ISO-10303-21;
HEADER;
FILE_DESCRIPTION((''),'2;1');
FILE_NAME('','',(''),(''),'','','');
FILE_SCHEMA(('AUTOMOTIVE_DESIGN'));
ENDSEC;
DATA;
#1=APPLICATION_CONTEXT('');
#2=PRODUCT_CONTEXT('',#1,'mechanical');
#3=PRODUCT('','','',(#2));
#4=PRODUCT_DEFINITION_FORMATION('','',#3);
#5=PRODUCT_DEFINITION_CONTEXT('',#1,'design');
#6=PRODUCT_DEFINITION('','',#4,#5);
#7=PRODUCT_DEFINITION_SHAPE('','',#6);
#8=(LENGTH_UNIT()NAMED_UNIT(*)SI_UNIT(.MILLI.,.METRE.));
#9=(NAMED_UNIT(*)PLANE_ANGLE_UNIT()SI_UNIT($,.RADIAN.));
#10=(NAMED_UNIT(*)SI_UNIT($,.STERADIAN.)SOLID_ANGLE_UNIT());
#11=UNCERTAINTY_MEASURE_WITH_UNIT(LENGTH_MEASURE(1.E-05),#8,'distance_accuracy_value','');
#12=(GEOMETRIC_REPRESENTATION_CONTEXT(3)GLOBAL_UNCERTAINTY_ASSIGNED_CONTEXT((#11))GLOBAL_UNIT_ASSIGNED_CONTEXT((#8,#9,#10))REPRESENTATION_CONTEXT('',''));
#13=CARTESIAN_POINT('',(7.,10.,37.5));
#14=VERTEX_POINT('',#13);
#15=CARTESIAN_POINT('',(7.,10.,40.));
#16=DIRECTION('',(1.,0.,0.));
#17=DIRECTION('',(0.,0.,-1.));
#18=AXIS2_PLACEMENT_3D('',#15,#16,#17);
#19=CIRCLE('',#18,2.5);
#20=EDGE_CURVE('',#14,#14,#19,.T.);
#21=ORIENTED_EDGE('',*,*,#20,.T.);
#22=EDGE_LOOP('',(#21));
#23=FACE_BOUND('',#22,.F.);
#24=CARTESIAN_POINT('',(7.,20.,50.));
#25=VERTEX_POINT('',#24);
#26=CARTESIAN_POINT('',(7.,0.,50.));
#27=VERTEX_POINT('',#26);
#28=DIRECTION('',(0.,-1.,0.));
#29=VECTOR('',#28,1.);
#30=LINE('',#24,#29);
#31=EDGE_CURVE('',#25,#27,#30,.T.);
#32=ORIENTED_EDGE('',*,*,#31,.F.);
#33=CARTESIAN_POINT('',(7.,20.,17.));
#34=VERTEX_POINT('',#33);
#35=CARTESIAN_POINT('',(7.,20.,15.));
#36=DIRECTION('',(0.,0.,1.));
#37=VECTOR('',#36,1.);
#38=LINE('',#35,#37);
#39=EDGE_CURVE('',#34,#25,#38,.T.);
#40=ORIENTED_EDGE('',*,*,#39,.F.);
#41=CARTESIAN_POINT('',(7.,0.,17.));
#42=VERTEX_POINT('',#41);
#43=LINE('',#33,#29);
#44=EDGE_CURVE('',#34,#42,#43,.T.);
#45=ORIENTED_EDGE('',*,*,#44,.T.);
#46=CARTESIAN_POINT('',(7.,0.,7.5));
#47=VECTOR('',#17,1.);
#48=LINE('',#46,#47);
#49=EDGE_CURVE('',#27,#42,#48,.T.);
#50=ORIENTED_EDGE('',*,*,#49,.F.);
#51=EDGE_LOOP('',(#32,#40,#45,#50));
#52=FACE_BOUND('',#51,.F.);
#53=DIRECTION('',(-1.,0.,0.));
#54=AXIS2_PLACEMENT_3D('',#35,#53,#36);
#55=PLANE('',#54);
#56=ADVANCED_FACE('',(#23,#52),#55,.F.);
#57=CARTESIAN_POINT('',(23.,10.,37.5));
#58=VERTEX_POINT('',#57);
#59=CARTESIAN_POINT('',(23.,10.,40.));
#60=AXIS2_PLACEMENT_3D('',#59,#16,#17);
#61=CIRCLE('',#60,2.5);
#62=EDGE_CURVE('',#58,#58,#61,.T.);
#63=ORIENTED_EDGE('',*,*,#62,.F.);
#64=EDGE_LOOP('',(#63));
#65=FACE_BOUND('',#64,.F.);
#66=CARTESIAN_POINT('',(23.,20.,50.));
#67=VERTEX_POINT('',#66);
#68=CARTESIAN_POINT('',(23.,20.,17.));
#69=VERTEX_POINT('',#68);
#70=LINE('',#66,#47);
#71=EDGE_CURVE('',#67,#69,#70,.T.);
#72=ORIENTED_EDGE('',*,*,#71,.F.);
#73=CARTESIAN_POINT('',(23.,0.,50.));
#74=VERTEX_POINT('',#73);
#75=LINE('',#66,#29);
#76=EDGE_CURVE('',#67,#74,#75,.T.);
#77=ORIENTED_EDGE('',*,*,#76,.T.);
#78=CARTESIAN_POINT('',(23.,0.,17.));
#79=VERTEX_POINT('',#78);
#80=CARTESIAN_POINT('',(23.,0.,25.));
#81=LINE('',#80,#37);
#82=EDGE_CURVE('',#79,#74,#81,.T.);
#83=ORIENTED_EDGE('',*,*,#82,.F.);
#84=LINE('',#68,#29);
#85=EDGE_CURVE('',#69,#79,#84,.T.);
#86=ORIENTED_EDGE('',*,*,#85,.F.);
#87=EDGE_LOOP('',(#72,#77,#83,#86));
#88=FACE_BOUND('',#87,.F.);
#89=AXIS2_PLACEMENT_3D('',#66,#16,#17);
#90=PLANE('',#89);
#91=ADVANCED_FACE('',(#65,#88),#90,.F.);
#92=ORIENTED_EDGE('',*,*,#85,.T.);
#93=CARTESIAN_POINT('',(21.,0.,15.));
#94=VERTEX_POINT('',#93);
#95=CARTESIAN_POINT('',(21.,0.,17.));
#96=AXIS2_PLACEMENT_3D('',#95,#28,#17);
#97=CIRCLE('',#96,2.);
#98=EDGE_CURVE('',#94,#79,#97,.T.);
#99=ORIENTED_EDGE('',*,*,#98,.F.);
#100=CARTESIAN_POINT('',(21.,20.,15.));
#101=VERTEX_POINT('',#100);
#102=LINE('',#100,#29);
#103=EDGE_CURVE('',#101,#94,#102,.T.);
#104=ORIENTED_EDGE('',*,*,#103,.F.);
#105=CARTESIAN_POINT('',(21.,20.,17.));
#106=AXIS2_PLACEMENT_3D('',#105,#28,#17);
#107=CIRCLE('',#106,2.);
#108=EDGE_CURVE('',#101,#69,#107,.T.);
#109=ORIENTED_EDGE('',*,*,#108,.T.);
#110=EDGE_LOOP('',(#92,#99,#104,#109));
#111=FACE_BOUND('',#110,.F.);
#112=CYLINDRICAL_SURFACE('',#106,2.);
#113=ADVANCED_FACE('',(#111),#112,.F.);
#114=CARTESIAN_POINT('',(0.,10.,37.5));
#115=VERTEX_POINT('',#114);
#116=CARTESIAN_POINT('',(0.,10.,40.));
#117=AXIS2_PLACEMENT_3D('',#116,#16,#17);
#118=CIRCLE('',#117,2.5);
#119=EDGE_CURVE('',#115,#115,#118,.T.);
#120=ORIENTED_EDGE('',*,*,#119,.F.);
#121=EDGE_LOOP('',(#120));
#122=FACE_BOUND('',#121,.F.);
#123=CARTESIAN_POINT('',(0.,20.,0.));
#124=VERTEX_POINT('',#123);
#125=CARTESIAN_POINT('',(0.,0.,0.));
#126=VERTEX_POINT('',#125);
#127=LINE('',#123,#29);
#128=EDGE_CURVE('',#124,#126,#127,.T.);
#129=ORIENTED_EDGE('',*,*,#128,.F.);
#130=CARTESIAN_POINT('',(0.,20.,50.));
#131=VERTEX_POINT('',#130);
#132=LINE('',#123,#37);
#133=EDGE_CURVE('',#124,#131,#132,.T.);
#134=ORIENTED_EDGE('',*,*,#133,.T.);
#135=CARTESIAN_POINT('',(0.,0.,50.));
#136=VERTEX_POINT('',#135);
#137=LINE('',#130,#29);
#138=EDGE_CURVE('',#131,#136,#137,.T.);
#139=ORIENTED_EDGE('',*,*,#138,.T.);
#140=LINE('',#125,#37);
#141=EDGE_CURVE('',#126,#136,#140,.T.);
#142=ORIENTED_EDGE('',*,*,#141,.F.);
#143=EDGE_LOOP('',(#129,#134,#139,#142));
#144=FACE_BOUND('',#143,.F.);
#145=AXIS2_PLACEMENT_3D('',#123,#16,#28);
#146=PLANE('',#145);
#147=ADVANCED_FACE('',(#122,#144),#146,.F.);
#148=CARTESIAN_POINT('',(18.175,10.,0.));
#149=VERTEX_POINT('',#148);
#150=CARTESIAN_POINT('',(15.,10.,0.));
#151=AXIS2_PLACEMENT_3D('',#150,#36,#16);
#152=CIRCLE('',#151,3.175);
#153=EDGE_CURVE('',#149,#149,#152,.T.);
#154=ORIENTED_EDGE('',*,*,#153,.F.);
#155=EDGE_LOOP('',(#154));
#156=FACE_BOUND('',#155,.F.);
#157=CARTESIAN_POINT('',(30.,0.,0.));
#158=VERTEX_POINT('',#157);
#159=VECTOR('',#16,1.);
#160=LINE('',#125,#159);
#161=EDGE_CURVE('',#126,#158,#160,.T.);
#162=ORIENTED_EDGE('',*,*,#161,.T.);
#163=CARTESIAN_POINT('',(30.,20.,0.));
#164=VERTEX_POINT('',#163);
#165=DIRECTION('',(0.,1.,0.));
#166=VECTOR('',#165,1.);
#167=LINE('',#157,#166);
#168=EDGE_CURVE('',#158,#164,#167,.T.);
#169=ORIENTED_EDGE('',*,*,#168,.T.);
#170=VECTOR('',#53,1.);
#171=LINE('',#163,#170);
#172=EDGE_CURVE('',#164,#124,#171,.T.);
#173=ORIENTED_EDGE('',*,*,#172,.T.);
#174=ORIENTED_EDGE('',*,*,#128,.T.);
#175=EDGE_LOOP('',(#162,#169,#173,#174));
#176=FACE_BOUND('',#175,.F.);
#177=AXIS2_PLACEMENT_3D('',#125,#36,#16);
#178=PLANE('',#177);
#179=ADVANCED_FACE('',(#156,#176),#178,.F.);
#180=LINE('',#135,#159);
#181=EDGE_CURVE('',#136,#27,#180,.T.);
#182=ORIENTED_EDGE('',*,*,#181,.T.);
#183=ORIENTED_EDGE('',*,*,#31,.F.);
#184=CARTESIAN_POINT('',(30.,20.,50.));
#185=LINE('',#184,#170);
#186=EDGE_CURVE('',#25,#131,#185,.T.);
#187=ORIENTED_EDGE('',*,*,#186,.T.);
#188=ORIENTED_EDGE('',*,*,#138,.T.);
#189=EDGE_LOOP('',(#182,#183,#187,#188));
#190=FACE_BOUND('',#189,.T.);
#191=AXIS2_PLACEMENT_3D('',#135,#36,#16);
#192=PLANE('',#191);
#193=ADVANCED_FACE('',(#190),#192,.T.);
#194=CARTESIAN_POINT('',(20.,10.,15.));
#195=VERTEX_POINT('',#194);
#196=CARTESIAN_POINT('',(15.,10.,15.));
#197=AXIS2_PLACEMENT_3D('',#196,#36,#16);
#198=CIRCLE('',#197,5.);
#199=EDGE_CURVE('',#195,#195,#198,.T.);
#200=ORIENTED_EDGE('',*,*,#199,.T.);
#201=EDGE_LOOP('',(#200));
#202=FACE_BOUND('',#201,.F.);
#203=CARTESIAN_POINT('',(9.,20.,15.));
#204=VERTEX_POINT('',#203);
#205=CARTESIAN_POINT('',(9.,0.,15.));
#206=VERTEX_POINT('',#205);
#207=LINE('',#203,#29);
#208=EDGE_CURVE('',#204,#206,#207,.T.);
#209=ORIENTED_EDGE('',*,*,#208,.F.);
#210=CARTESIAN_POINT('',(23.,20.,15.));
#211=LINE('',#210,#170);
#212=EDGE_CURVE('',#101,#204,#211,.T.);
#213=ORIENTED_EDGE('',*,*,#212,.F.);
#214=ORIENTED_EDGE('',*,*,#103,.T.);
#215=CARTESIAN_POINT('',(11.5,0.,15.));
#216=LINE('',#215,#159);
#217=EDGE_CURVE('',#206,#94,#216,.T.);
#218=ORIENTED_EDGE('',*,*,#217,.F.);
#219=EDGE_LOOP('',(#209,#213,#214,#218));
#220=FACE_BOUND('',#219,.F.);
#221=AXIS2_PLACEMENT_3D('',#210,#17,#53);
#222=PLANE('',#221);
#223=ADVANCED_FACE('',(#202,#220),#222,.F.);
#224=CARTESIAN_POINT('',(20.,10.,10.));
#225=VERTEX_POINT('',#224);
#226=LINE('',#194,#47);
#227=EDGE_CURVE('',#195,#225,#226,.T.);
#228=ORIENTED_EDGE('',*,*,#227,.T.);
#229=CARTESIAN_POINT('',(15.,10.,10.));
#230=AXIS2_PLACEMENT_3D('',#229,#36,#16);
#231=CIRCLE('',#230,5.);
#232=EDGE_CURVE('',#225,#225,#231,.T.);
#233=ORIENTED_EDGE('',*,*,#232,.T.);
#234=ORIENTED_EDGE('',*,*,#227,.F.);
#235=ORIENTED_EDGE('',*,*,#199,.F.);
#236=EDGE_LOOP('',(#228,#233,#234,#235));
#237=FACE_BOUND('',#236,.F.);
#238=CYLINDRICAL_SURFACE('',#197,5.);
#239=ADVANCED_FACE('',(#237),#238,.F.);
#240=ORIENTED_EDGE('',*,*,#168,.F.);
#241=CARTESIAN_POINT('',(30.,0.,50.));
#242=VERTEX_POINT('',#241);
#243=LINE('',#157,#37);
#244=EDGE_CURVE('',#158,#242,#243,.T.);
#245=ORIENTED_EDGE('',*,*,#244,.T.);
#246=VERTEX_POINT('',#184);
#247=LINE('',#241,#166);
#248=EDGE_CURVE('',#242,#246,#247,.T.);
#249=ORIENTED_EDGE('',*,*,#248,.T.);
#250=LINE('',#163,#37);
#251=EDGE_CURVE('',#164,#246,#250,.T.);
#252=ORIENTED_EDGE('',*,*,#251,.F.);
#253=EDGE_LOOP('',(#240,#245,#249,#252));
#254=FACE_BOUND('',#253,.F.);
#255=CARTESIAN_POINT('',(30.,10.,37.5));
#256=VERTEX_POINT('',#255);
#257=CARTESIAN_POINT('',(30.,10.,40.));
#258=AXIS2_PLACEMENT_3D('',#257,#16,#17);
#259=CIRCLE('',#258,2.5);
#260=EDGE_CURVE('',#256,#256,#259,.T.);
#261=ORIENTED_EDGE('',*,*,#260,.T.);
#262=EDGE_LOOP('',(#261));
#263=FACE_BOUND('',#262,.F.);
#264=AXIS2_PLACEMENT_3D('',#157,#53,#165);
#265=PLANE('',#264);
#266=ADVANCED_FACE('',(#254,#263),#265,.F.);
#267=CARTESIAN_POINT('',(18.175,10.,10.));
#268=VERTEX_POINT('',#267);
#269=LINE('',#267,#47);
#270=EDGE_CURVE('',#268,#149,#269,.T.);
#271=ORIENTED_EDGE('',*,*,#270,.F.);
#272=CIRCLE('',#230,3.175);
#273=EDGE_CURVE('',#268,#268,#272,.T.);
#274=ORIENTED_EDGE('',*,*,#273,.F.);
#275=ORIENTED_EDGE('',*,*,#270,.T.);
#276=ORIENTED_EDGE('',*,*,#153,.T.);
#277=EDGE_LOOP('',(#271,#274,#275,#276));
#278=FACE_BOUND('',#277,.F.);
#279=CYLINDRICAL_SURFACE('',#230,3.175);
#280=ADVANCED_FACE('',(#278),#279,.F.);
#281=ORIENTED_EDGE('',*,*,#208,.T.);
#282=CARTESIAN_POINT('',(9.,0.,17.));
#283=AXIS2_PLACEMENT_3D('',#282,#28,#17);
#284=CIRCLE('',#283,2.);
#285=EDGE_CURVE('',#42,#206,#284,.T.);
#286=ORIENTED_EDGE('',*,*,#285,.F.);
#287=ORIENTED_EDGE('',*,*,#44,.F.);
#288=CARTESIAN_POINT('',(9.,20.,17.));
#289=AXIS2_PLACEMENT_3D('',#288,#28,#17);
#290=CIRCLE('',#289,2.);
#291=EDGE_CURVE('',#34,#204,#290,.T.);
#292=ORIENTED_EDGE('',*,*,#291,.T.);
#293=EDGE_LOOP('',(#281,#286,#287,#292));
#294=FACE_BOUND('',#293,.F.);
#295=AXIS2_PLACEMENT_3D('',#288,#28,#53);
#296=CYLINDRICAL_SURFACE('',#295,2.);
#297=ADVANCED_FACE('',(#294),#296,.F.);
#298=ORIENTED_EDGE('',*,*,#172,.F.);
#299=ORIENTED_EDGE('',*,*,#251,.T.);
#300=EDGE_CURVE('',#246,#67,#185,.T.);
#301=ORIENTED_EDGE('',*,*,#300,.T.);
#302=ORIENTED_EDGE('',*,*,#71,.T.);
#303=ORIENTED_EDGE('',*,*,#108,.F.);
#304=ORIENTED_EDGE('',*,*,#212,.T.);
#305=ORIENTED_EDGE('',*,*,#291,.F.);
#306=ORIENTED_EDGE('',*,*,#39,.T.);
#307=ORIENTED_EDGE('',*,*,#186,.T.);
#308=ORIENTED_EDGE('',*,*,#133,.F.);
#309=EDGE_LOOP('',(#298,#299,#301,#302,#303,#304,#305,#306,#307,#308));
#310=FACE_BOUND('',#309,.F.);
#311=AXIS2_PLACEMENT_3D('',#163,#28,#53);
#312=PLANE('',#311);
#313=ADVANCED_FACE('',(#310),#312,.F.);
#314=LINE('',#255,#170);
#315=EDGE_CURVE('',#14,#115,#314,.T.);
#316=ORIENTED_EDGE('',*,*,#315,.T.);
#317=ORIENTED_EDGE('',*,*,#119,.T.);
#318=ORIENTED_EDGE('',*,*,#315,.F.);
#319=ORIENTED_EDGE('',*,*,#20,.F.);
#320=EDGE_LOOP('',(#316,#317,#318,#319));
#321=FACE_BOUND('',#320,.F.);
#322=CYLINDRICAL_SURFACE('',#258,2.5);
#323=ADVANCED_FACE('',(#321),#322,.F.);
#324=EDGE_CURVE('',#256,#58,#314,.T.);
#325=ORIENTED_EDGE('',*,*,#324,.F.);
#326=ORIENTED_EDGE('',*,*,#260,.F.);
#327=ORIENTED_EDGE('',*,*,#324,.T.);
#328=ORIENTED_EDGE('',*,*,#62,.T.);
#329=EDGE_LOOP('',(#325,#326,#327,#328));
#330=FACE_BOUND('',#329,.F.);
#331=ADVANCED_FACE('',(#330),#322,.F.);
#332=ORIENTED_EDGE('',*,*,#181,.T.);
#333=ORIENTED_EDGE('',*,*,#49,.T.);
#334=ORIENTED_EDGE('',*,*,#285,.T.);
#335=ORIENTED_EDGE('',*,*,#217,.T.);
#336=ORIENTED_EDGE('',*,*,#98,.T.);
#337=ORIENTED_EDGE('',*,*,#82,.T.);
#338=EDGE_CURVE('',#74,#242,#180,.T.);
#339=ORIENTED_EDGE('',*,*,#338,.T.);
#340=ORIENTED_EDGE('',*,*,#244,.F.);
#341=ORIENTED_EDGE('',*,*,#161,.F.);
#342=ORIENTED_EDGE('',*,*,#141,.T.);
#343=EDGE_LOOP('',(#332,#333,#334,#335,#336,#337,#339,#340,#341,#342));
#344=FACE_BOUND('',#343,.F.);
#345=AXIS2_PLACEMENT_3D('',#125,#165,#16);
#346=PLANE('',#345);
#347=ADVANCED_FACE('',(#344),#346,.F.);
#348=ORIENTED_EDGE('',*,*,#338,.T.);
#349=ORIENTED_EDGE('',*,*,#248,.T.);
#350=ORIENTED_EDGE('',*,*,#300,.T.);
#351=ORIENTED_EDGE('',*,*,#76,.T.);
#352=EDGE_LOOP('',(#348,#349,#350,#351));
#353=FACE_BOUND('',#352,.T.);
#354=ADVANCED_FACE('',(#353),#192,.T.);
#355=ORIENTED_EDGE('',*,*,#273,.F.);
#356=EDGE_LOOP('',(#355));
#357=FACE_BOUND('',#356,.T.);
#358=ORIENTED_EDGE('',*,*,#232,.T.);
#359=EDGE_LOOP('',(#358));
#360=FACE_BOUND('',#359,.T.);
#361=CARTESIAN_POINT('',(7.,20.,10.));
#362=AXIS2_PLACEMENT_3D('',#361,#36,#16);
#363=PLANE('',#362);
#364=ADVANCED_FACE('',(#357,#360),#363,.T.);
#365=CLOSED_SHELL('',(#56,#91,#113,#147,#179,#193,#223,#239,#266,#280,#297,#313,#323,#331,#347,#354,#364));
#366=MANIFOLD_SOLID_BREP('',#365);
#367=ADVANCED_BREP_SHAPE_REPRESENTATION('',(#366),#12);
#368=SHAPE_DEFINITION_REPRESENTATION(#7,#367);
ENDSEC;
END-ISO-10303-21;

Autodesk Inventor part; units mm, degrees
ref_plane "YZ Plane" through (0, 0, 0) normal (1, 0, 0) x (0, 1, 0)
ref_plane "XZ Plane" through (0, 0, 0) normal (0, 1, 0) x (-1, 0, 0)
ref_plane "XY Plane" through (0, 0, 0) normal (0, 0, 1) x (1, 0, 0)
sketch "Sketch1" plane through (0, 0, 0) normal (0, 0, 1) x (1, 0, 0)
  line L0 (0, 0) -> (30, 0)
  line L1 (30, 0) -> (30, 20)
  line L2 (30, 20) -> (0, 20)
  line L3 (0, 20) -> (0, 0)
  dimension "d0" = 30
  dimension "d1" = 20
extrude "Extrusion1" add sketch "Sketch1" along normal blind 50
sketch "Sketch2" plane through (0, 20, 0) normal (0, 1, 0) x (1, 0, 0)
  line L0 (30, 0) -> (0, 0) projected
  line L1 (0, 0) -> (0, -50) projected
  line L2 (30, -50) -> (0, -50) projected
  line L3 (30, 0) -> (30, -50) projected
  line L4 (7, -50) -> (23, -50)
  line L5 (23, -50) -> (23, -15)
  line L6 (23, -15) -> (7, -15)
  line L7 (7, -15) -> (7, -50)
  point P0 (0, 0)
  dimension "d5" = 7
  dimension "d8" = 15
  dimension "d26" = 7
extrude "Extrusion2" cut sketch "Sketch2" against normal up to next contours L2 L7 L6 L5
sketch "Sketch3" plane through (30, 0, 0) normal (1, 0, 0) x (0, 0, -1)
  line L0 (0, 0) -> (0, 20) projected
  line L1 (0, 20) -> (-50, 20) projected
  line L2 (-50, 0) -> (-50, 20) projected
  line L3 (0, 0) -> (-50, 0) projected
  circle A0 centre (-40, 10) radius 2.5
  point P0 (0, 0)
  dimension "d11" = 5
  dimension "d12" = 10
  dimension "d13" = 10
extrude "Extrusion3" cut sketch "Sketch3" against normal through all contours A0
sketch "Sketch4" plane through (7, 20, 15) normal (0, 0, 1) x (1, 0, 0)
  line L0 (16, -20) -> (0, -20) projected
  line L1 (16, 0) -> (16, -20) projected
  line L2 (0, 0) -> (16, 0) projected
  line L3 (0, 0) -> (0, -20) projected
  circle A0 centre (8, -10) radius 5
  line L4 (-7, 0) -> (-7, -20) projected
  dimension "d16" = 10
  dimension "d17" = 10
  dimension "d29" = 15
extrude "Extrusion4" cut sketch "Sketch4" against normal blind 5 contours A0
sketch "Sketch5" plane through (15, 10, 10) normal (0, 0, 1) x (1, 0, 0)
  circle A0 centre (0, 0) radius 3.175
  line L0 (8, -10) -> (-8, -10) projected
  line L1 (-8, -10) -> (-8, 10) projected
  line L2 (-15, 10) -> (-15, -10) projected
  dimension "d21" = 6.35
  dimension "d22" = 10
  dimension "d30" = 15
extrude "Extrusion5" cut sketch "Sketch5" against normal up to next
fillet "Fillet1" radius 2 1 edges at (7, 10, 15)
fillet "Fillet2" radius 2 1 edges at (23, 10, 15)
properties part number "X_Rail_Belt_Pulley_Connector(2)"
